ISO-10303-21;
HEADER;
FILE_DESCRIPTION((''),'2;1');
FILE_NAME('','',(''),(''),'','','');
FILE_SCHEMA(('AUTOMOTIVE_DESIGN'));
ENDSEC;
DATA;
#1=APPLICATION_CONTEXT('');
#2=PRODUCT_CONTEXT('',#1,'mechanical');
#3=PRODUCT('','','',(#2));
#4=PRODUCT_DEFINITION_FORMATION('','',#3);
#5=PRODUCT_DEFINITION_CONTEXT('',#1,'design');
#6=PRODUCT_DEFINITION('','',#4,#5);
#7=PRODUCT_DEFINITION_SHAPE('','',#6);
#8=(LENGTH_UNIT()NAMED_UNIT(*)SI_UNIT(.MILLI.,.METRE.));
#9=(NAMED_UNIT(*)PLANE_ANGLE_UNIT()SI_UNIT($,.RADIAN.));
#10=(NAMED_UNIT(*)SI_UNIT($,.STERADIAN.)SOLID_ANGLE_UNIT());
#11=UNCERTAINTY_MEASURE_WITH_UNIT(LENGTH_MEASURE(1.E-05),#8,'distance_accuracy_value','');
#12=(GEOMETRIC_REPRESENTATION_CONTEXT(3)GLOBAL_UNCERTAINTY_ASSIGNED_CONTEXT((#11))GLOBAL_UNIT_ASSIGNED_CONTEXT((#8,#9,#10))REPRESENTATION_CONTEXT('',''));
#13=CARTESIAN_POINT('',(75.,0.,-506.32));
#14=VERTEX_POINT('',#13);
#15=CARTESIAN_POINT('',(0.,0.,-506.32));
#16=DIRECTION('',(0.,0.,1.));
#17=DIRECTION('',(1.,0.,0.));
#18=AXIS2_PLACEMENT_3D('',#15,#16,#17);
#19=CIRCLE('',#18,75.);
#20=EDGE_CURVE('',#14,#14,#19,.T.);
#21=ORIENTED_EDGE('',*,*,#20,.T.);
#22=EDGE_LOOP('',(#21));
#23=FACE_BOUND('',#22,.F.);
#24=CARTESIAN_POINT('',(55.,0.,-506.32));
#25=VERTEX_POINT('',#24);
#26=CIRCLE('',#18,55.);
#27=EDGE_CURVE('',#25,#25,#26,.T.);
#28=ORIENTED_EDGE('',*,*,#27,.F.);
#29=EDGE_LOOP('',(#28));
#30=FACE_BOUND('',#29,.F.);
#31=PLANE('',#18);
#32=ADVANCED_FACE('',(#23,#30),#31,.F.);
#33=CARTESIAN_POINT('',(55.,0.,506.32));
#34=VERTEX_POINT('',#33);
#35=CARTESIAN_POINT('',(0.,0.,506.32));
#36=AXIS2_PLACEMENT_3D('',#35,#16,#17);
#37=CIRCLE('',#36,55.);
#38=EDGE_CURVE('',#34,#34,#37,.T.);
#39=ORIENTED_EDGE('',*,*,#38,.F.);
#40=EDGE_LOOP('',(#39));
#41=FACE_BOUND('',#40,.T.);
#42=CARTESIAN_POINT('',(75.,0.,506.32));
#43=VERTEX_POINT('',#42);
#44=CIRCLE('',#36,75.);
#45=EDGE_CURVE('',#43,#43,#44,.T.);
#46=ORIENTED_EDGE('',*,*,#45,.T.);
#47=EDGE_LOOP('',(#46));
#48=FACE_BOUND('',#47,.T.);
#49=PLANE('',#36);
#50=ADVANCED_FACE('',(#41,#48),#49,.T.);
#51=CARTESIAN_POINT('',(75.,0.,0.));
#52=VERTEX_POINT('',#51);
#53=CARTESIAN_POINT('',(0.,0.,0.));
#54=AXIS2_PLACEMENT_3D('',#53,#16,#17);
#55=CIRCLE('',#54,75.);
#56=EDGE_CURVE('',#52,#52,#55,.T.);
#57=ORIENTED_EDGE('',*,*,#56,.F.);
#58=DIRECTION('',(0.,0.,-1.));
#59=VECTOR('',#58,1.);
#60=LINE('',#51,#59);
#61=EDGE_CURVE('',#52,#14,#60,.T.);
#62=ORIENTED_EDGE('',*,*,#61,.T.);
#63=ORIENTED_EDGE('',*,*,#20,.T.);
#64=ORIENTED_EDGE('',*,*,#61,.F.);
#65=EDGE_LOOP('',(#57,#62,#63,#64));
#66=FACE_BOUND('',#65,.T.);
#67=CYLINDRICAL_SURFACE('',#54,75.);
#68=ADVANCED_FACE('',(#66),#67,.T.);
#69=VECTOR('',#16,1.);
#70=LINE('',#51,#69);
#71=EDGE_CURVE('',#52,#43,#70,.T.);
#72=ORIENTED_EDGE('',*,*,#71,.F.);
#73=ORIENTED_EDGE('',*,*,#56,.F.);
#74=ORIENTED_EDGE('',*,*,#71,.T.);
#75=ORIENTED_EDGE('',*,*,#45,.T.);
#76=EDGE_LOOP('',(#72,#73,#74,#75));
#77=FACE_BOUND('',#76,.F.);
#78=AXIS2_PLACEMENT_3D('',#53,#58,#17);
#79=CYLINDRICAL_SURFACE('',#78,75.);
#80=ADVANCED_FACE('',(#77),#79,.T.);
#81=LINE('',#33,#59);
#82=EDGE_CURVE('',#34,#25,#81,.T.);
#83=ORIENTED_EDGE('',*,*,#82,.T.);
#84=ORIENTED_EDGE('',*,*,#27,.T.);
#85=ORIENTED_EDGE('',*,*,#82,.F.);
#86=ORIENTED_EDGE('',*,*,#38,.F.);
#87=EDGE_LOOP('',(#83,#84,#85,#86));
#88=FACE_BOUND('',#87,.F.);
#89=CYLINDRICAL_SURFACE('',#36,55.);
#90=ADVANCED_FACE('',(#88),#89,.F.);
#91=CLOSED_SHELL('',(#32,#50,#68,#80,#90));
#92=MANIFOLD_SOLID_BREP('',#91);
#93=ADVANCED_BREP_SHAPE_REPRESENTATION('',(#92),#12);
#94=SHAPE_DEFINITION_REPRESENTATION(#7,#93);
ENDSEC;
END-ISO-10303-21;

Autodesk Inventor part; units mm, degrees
ref_plane "YZ Plane" through (0, 0, 0) normal (1, 0, 0) x (0, 1, 0)
ref_plane "XZ Plane" through (0, 0, 0) normal (0, 1, 0) x (-1, 0, 0)
ref_plane "XY Plane" through (0, 0, 0) normal (0, 0, 1) x (1, 0, 0)
sketch "Sketch1" plane through (0, 0, 0) normal (0, 0, 1) x (1, 0, 0)
  circle A0 centre (0, 0) radius 75
  dimension "d0" = 150
extrude "Extrusion1" add sketch "Sketch1" along normal mid plane 1012.64
sketch "Sketch2" plane through (0, 0, 506.32) normal (0, 0, 1) x (1, 0, 0)
  circle A0 centre (0, 0) radius 55
  dimension "d3" = 110
extrude "Extrusion2" cut sketch "Sketch2" against normal through all
properties part number "AGBL01-1_2"
